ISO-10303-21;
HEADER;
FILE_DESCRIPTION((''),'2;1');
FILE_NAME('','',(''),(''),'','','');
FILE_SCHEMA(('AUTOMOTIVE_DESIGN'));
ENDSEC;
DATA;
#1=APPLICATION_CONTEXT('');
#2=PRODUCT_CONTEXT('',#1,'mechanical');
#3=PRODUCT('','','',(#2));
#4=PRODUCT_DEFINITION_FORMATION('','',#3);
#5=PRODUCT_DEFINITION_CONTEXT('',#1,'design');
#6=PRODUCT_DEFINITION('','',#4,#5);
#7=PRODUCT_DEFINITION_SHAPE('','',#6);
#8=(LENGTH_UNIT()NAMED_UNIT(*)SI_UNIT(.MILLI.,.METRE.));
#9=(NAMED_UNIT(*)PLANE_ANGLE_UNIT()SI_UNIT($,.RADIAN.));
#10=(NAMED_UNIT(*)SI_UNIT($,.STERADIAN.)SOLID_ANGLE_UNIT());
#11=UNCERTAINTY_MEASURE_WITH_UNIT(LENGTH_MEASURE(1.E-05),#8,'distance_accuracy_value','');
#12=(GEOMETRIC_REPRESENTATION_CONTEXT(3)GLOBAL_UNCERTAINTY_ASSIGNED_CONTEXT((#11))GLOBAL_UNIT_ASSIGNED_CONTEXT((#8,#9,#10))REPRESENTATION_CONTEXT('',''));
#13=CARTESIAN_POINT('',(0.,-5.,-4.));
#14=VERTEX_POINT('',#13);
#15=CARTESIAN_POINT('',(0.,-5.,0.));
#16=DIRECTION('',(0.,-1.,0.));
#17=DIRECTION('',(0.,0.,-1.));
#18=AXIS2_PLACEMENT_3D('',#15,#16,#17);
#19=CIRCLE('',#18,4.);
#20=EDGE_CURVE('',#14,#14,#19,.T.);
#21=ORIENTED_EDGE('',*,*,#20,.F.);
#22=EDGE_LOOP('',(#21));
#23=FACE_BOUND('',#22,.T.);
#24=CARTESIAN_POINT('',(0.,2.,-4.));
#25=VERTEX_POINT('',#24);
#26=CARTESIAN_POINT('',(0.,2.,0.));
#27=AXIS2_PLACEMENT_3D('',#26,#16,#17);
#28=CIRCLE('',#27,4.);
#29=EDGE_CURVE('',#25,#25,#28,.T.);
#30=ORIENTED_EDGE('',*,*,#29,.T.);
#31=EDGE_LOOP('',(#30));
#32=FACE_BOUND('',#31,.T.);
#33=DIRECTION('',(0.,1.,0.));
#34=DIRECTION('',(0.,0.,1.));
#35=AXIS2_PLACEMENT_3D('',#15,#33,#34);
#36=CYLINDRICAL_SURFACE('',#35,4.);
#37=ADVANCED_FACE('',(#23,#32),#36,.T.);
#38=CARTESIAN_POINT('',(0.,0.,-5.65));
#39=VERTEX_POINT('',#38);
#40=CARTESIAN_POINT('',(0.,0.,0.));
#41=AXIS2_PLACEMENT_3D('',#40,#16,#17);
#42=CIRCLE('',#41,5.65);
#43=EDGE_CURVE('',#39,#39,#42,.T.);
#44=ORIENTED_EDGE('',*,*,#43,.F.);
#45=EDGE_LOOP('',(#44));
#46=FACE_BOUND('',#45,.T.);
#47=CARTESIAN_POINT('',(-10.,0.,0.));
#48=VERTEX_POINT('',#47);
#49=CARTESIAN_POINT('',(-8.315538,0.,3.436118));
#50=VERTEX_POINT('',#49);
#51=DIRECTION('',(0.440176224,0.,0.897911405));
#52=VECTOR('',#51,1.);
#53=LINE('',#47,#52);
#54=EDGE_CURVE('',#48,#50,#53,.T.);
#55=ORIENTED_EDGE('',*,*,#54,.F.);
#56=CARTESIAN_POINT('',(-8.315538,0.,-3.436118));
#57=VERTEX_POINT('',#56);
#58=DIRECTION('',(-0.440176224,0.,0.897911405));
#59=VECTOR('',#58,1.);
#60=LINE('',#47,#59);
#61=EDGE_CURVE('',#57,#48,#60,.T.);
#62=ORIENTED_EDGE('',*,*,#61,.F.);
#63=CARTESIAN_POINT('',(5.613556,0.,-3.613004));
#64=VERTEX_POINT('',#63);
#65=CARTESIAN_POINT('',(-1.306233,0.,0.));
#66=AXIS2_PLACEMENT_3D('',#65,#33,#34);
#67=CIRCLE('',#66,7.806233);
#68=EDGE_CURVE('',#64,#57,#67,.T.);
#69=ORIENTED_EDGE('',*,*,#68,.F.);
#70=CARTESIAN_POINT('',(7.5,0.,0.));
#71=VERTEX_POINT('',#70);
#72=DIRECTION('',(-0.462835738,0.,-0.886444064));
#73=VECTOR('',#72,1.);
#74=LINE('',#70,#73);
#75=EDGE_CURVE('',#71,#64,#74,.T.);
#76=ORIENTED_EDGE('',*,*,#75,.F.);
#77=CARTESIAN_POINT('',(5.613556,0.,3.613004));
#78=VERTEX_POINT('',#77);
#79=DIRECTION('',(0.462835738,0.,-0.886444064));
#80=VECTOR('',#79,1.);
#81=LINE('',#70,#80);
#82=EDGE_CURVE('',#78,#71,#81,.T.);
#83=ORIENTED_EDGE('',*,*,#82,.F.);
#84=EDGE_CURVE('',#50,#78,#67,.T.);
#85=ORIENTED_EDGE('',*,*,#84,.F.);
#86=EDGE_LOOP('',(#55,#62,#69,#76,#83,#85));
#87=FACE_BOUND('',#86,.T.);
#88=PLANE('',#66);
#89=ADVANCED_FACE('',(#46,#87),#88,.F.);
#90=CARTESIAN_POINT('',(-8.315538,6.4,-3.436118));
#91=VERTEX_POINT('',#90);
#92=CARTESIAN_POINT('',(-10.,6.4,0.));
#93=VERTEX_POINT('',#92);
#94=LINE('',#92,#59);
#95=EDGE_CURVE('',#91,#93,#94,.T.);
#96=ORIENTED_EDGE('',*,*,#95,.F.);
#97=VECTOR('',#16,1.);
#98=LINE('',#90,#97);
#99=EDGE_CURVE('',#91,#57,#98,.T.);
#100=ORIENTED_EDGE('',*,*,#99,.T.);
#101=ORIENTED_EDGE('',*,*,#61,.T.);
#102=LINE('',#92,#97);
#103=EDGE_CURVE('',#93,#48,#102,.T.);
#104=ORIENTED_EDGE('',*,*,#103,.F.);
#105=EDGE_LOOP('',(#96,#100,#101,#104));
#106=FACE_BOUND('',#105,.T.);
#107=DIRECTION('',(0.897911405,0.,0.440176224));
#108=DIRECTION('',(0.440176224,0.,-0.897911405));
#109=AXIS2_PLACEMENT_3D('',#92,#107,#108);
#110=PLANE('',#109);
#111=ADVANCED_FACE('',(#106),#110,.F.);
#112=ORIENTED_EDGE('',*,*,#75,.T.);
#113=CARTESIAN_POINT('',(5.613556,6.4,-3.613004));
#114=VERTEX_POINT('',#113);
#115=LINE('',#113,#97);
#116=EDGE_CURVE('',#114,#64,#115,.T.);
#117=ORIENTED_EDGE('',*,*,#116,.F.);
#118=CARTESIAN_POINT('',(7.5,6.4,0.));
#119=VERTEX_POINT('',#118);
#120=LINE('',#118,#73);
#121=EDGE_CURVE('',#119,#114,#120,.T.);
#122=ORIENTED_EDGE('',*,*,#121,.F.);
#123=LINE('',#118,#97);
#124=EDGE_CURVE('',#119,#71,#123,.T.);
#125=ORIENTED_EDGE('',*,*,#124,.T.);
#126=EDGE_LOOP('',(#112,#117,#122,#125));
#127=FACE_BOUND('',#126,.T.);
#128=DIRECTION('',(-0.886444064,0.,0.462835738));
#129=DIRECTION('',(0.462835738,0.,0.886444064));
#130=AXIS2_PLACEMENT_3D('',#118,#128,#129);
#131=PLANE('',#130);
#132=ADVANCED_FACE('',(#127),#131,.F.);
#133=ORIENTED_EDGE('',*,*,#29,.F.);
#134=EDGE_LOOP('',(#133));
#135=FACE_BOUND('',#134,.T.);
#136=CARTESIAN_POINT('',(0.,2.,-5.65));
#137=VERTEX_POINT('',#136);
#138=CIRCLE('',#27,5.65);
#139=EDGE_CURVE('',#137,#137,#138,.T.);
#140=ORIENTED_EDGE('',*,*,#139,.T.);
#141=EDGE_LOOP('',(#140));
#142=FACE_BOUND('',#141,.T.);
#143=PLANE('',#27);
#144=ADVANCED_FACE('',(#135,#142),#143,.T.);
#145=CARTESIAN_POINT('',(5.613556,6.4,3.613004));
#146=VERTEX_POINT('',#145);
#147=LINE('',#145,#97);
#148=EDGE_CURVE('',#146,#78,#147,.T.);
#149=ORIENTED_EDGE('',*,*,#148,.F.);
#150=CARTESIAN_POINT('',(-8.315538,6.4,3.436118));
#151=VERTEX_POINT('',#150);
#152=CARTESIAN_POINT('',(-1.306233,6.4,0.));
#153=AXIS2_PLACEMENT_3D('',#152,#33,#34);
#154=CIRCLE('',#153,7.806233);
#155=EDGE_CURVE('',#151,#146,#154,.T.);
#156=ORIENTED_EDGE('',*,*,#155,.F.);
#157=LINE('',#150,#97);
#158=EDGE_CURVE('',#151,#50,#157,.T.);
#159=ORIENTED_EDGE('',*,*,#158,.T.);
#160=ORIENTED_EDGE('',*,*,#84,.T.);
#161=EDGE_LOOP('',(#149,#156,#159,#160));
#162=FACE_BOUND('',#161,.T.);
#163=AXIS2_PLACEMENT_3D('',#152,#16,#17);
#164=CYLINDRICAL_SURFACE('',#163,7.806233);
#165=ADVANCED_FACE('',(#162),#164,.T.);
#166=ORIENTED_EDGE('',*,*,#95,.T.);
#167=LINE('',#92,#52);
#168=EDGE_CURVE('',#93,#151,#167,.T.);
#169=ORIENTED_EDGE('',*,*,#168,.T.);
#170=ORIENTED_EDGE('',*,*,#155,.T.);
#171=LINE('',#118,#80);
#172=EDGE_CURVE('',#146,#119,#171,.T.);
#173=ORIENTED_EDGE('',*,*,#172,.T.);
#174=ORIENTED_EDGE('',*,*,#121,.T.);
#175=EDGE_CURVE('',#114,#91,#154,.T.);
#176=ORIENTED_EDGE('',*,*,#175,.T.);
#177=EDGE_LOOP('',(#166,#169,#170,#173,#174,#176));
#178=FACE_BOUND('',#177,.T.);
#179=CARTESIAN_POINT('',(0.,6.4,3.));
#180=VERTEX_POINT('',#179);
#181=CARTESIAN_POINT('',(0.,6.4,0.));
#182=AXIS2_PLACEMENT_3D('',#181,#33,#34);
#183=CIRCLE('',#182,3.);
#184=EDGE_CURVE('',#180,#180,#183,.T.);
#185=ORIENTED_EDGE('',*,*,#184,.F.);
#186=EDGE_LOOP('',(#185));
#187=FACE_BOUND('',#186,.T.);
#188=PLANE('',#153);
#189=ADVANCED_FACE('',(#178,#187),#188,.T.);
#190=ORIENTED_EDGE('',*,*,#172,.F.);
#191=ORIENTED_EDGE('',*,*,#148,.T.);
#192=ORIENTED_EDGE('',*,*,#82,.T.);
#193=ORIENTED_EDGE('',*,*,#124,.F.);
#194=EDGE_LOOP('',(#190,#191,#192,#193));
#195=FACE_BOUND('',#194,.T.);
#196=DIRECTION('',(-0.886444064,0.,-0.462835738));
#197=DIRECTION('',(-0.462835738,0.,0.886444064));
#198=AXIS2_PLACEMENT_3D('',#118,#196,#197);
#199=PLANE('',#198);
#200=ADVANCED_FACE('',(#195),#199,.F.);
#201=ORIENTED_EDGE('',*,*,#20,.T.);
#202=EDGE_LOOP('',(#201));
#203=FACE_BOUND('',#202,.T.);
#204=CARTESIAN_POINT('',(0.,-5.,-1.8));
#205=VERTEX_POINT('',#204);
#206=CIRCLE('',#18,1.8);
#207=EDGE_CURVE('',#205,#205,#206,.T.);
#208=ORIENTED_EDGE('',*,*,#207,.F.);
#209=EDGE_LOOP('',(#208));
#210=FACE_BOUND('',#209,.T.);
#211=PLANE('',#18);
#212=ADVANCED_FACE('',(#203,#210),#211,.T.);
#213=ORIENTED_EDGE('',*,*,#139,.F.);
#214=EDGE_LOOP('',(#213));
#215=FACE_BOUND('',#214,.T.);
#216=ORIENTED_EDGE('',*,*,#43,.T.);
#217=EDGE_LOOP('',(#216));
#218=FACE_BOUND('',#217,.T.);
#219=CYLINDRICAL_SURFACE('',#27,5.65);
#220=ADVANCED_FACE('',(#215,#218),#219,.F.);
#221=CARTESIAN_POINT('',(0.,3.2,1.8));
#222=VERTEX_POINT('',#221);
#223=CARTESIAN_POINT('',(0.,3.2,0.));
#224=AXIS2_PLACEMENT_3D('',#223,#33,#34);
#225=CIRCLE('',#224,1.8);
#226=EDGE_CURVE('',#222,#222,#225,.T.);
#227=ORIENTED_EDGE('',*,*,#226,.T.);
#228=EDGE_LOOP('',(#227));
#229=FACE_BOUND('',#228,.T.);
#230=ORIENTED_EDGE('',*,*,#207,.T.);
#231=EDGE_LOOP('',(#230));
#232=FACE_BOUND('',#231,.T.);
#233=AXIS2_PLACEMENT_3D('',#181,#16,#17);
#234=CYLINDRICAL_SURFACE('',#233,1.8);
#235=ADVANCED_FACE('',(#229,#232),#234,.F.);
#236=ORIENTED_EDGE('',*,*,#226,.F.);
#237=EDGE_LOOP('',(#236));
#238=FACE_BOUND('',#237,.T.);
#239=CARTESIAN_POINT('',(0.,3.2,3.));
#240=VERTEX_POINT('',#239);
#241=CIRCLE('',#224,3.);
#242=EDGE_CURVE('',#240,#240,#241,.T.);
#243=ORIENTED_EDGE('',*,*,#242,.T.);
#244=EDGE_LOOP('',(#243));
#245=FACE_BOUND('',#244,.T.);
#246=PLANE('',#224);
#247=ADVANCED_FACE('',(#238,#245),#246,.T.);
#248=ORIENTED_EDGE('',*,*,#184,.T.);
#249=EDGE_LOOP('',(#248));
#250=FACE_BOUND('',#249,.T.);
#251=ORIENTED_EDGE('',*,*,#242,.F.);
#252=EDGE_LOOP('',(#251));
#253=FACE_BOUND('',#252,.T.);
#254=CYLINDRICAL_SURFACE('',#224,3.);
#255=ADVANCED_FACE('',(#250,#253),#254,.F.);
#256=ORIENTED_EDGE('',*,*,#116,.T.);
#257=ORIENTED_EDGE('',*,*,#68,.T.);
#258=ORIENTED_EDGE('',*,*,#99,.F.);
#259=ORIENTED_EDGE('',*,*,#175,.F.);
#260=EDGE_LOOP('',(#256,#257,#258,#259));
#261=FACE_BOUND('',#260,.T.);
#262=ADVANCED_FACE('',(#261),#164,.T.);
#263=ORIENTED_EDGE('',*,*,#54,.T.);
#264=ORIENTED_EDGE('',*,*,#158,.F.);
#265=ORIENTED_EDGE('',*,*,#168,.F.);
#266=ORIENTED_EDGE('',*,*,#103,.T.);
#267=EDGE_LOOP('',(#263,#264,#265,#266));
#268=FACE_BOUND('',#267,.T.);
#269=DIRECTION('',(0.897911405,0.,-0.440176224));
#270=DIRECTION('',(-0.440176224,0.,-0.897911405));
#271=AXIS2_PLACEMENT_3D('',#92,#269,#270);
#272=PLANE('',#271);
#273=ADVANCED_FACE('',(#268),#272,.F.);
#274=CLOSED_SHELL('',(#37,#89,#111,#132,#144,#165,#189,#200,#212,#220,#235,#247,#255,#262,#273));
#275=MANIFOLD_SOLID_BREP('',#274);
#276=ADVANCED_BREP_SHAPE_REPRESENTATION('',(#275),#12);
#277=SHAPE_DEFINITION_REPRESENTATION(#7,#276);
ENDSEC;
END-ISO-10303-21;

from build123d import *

# Parameters (mm, degrees)
SKETCH_1_R          = 1.8
EXTRUDE_1_DEPTH     = 6.4
SKETCH_7_R          = 3
CUT_EXTRUDE_1_DEPTH = 3.2
SKETCH_8_R          = 4
SKETCH_8_R_2        = 1.8
EXTRUDE_2_DEPTH     = 5
SKETCH_9_R          = 5.65
SKETCH_9_R_2        = 4
CUT_EXTRUDE_2_DEPTH = 2


with BuildPart() as part:
    # Эскиз1 → Бобышка-Вытянуть1 (new body)
    with BuildSketch(Plane(origin=(0, 0, 0), x_dir=(1, 0, 0), z_dir=(0, 1, 0))):
        with BuildLine():
            Line((-10, 0), (-8.31553819, 3.436118058))
            ThreePointArc((-8.31553819, 3.436118058), (-1.40535605, 7.805603403), (5.613555936, 3.613003503))
            Line((5.613555936, 3.613003503), (7.5, 0))
            Line((7.5, 0), (5.613555936, -3.613003503))
            ThreePointArc((5.613555936, -3.613003503), (-1.40535605, -7.805603403), (-8.31553819, -3.436118058))
            Line((-8.31553819, -3.436118058), (-10, 0))
        make_face()
        Circle(SKETCH_1_R, mode=Mode.SUBTRACT)
    extrude(amount=EXTRUDE_1_DEPTH)

    # Эскиз7 → Вырез-Вытянуть1 (cut)
    with BuildSketch(Plane(origin=(0, 6.4, 0), x_dir=(1, 0, 0), z_dir=(0, 1, 0))):
        Circle(SKETCH_7_R)
    extrude(amount=-CUT_EXTRUDE_1_DEPTH, mode=Mode.SUBTRACT)

    # Эскиз8 → Бобышка-Вытянуть2 (add)
    with BuildSketch(Plane.XZ):
        Circle(SKETCH_8_R)
        Circle(SKETCH_8_R_2, mode=Mode.SUBTRACT)
    extrude(amount=EXTRUDE_2_DEPTH)

    # Эскиз9 → Вырез-Вытянуть2 (cut)
    with BuildSketch(Plane.XZ):
        Circle(SKETCH_9_R)
        Circle(SKETCH_9_R_2, mode=Mode.SUBTRACT)
    extrude(amount=-CUT_EXTRUDE_2_DEPTH, mode=Mode.SUBTRACT)


solid = part.part
